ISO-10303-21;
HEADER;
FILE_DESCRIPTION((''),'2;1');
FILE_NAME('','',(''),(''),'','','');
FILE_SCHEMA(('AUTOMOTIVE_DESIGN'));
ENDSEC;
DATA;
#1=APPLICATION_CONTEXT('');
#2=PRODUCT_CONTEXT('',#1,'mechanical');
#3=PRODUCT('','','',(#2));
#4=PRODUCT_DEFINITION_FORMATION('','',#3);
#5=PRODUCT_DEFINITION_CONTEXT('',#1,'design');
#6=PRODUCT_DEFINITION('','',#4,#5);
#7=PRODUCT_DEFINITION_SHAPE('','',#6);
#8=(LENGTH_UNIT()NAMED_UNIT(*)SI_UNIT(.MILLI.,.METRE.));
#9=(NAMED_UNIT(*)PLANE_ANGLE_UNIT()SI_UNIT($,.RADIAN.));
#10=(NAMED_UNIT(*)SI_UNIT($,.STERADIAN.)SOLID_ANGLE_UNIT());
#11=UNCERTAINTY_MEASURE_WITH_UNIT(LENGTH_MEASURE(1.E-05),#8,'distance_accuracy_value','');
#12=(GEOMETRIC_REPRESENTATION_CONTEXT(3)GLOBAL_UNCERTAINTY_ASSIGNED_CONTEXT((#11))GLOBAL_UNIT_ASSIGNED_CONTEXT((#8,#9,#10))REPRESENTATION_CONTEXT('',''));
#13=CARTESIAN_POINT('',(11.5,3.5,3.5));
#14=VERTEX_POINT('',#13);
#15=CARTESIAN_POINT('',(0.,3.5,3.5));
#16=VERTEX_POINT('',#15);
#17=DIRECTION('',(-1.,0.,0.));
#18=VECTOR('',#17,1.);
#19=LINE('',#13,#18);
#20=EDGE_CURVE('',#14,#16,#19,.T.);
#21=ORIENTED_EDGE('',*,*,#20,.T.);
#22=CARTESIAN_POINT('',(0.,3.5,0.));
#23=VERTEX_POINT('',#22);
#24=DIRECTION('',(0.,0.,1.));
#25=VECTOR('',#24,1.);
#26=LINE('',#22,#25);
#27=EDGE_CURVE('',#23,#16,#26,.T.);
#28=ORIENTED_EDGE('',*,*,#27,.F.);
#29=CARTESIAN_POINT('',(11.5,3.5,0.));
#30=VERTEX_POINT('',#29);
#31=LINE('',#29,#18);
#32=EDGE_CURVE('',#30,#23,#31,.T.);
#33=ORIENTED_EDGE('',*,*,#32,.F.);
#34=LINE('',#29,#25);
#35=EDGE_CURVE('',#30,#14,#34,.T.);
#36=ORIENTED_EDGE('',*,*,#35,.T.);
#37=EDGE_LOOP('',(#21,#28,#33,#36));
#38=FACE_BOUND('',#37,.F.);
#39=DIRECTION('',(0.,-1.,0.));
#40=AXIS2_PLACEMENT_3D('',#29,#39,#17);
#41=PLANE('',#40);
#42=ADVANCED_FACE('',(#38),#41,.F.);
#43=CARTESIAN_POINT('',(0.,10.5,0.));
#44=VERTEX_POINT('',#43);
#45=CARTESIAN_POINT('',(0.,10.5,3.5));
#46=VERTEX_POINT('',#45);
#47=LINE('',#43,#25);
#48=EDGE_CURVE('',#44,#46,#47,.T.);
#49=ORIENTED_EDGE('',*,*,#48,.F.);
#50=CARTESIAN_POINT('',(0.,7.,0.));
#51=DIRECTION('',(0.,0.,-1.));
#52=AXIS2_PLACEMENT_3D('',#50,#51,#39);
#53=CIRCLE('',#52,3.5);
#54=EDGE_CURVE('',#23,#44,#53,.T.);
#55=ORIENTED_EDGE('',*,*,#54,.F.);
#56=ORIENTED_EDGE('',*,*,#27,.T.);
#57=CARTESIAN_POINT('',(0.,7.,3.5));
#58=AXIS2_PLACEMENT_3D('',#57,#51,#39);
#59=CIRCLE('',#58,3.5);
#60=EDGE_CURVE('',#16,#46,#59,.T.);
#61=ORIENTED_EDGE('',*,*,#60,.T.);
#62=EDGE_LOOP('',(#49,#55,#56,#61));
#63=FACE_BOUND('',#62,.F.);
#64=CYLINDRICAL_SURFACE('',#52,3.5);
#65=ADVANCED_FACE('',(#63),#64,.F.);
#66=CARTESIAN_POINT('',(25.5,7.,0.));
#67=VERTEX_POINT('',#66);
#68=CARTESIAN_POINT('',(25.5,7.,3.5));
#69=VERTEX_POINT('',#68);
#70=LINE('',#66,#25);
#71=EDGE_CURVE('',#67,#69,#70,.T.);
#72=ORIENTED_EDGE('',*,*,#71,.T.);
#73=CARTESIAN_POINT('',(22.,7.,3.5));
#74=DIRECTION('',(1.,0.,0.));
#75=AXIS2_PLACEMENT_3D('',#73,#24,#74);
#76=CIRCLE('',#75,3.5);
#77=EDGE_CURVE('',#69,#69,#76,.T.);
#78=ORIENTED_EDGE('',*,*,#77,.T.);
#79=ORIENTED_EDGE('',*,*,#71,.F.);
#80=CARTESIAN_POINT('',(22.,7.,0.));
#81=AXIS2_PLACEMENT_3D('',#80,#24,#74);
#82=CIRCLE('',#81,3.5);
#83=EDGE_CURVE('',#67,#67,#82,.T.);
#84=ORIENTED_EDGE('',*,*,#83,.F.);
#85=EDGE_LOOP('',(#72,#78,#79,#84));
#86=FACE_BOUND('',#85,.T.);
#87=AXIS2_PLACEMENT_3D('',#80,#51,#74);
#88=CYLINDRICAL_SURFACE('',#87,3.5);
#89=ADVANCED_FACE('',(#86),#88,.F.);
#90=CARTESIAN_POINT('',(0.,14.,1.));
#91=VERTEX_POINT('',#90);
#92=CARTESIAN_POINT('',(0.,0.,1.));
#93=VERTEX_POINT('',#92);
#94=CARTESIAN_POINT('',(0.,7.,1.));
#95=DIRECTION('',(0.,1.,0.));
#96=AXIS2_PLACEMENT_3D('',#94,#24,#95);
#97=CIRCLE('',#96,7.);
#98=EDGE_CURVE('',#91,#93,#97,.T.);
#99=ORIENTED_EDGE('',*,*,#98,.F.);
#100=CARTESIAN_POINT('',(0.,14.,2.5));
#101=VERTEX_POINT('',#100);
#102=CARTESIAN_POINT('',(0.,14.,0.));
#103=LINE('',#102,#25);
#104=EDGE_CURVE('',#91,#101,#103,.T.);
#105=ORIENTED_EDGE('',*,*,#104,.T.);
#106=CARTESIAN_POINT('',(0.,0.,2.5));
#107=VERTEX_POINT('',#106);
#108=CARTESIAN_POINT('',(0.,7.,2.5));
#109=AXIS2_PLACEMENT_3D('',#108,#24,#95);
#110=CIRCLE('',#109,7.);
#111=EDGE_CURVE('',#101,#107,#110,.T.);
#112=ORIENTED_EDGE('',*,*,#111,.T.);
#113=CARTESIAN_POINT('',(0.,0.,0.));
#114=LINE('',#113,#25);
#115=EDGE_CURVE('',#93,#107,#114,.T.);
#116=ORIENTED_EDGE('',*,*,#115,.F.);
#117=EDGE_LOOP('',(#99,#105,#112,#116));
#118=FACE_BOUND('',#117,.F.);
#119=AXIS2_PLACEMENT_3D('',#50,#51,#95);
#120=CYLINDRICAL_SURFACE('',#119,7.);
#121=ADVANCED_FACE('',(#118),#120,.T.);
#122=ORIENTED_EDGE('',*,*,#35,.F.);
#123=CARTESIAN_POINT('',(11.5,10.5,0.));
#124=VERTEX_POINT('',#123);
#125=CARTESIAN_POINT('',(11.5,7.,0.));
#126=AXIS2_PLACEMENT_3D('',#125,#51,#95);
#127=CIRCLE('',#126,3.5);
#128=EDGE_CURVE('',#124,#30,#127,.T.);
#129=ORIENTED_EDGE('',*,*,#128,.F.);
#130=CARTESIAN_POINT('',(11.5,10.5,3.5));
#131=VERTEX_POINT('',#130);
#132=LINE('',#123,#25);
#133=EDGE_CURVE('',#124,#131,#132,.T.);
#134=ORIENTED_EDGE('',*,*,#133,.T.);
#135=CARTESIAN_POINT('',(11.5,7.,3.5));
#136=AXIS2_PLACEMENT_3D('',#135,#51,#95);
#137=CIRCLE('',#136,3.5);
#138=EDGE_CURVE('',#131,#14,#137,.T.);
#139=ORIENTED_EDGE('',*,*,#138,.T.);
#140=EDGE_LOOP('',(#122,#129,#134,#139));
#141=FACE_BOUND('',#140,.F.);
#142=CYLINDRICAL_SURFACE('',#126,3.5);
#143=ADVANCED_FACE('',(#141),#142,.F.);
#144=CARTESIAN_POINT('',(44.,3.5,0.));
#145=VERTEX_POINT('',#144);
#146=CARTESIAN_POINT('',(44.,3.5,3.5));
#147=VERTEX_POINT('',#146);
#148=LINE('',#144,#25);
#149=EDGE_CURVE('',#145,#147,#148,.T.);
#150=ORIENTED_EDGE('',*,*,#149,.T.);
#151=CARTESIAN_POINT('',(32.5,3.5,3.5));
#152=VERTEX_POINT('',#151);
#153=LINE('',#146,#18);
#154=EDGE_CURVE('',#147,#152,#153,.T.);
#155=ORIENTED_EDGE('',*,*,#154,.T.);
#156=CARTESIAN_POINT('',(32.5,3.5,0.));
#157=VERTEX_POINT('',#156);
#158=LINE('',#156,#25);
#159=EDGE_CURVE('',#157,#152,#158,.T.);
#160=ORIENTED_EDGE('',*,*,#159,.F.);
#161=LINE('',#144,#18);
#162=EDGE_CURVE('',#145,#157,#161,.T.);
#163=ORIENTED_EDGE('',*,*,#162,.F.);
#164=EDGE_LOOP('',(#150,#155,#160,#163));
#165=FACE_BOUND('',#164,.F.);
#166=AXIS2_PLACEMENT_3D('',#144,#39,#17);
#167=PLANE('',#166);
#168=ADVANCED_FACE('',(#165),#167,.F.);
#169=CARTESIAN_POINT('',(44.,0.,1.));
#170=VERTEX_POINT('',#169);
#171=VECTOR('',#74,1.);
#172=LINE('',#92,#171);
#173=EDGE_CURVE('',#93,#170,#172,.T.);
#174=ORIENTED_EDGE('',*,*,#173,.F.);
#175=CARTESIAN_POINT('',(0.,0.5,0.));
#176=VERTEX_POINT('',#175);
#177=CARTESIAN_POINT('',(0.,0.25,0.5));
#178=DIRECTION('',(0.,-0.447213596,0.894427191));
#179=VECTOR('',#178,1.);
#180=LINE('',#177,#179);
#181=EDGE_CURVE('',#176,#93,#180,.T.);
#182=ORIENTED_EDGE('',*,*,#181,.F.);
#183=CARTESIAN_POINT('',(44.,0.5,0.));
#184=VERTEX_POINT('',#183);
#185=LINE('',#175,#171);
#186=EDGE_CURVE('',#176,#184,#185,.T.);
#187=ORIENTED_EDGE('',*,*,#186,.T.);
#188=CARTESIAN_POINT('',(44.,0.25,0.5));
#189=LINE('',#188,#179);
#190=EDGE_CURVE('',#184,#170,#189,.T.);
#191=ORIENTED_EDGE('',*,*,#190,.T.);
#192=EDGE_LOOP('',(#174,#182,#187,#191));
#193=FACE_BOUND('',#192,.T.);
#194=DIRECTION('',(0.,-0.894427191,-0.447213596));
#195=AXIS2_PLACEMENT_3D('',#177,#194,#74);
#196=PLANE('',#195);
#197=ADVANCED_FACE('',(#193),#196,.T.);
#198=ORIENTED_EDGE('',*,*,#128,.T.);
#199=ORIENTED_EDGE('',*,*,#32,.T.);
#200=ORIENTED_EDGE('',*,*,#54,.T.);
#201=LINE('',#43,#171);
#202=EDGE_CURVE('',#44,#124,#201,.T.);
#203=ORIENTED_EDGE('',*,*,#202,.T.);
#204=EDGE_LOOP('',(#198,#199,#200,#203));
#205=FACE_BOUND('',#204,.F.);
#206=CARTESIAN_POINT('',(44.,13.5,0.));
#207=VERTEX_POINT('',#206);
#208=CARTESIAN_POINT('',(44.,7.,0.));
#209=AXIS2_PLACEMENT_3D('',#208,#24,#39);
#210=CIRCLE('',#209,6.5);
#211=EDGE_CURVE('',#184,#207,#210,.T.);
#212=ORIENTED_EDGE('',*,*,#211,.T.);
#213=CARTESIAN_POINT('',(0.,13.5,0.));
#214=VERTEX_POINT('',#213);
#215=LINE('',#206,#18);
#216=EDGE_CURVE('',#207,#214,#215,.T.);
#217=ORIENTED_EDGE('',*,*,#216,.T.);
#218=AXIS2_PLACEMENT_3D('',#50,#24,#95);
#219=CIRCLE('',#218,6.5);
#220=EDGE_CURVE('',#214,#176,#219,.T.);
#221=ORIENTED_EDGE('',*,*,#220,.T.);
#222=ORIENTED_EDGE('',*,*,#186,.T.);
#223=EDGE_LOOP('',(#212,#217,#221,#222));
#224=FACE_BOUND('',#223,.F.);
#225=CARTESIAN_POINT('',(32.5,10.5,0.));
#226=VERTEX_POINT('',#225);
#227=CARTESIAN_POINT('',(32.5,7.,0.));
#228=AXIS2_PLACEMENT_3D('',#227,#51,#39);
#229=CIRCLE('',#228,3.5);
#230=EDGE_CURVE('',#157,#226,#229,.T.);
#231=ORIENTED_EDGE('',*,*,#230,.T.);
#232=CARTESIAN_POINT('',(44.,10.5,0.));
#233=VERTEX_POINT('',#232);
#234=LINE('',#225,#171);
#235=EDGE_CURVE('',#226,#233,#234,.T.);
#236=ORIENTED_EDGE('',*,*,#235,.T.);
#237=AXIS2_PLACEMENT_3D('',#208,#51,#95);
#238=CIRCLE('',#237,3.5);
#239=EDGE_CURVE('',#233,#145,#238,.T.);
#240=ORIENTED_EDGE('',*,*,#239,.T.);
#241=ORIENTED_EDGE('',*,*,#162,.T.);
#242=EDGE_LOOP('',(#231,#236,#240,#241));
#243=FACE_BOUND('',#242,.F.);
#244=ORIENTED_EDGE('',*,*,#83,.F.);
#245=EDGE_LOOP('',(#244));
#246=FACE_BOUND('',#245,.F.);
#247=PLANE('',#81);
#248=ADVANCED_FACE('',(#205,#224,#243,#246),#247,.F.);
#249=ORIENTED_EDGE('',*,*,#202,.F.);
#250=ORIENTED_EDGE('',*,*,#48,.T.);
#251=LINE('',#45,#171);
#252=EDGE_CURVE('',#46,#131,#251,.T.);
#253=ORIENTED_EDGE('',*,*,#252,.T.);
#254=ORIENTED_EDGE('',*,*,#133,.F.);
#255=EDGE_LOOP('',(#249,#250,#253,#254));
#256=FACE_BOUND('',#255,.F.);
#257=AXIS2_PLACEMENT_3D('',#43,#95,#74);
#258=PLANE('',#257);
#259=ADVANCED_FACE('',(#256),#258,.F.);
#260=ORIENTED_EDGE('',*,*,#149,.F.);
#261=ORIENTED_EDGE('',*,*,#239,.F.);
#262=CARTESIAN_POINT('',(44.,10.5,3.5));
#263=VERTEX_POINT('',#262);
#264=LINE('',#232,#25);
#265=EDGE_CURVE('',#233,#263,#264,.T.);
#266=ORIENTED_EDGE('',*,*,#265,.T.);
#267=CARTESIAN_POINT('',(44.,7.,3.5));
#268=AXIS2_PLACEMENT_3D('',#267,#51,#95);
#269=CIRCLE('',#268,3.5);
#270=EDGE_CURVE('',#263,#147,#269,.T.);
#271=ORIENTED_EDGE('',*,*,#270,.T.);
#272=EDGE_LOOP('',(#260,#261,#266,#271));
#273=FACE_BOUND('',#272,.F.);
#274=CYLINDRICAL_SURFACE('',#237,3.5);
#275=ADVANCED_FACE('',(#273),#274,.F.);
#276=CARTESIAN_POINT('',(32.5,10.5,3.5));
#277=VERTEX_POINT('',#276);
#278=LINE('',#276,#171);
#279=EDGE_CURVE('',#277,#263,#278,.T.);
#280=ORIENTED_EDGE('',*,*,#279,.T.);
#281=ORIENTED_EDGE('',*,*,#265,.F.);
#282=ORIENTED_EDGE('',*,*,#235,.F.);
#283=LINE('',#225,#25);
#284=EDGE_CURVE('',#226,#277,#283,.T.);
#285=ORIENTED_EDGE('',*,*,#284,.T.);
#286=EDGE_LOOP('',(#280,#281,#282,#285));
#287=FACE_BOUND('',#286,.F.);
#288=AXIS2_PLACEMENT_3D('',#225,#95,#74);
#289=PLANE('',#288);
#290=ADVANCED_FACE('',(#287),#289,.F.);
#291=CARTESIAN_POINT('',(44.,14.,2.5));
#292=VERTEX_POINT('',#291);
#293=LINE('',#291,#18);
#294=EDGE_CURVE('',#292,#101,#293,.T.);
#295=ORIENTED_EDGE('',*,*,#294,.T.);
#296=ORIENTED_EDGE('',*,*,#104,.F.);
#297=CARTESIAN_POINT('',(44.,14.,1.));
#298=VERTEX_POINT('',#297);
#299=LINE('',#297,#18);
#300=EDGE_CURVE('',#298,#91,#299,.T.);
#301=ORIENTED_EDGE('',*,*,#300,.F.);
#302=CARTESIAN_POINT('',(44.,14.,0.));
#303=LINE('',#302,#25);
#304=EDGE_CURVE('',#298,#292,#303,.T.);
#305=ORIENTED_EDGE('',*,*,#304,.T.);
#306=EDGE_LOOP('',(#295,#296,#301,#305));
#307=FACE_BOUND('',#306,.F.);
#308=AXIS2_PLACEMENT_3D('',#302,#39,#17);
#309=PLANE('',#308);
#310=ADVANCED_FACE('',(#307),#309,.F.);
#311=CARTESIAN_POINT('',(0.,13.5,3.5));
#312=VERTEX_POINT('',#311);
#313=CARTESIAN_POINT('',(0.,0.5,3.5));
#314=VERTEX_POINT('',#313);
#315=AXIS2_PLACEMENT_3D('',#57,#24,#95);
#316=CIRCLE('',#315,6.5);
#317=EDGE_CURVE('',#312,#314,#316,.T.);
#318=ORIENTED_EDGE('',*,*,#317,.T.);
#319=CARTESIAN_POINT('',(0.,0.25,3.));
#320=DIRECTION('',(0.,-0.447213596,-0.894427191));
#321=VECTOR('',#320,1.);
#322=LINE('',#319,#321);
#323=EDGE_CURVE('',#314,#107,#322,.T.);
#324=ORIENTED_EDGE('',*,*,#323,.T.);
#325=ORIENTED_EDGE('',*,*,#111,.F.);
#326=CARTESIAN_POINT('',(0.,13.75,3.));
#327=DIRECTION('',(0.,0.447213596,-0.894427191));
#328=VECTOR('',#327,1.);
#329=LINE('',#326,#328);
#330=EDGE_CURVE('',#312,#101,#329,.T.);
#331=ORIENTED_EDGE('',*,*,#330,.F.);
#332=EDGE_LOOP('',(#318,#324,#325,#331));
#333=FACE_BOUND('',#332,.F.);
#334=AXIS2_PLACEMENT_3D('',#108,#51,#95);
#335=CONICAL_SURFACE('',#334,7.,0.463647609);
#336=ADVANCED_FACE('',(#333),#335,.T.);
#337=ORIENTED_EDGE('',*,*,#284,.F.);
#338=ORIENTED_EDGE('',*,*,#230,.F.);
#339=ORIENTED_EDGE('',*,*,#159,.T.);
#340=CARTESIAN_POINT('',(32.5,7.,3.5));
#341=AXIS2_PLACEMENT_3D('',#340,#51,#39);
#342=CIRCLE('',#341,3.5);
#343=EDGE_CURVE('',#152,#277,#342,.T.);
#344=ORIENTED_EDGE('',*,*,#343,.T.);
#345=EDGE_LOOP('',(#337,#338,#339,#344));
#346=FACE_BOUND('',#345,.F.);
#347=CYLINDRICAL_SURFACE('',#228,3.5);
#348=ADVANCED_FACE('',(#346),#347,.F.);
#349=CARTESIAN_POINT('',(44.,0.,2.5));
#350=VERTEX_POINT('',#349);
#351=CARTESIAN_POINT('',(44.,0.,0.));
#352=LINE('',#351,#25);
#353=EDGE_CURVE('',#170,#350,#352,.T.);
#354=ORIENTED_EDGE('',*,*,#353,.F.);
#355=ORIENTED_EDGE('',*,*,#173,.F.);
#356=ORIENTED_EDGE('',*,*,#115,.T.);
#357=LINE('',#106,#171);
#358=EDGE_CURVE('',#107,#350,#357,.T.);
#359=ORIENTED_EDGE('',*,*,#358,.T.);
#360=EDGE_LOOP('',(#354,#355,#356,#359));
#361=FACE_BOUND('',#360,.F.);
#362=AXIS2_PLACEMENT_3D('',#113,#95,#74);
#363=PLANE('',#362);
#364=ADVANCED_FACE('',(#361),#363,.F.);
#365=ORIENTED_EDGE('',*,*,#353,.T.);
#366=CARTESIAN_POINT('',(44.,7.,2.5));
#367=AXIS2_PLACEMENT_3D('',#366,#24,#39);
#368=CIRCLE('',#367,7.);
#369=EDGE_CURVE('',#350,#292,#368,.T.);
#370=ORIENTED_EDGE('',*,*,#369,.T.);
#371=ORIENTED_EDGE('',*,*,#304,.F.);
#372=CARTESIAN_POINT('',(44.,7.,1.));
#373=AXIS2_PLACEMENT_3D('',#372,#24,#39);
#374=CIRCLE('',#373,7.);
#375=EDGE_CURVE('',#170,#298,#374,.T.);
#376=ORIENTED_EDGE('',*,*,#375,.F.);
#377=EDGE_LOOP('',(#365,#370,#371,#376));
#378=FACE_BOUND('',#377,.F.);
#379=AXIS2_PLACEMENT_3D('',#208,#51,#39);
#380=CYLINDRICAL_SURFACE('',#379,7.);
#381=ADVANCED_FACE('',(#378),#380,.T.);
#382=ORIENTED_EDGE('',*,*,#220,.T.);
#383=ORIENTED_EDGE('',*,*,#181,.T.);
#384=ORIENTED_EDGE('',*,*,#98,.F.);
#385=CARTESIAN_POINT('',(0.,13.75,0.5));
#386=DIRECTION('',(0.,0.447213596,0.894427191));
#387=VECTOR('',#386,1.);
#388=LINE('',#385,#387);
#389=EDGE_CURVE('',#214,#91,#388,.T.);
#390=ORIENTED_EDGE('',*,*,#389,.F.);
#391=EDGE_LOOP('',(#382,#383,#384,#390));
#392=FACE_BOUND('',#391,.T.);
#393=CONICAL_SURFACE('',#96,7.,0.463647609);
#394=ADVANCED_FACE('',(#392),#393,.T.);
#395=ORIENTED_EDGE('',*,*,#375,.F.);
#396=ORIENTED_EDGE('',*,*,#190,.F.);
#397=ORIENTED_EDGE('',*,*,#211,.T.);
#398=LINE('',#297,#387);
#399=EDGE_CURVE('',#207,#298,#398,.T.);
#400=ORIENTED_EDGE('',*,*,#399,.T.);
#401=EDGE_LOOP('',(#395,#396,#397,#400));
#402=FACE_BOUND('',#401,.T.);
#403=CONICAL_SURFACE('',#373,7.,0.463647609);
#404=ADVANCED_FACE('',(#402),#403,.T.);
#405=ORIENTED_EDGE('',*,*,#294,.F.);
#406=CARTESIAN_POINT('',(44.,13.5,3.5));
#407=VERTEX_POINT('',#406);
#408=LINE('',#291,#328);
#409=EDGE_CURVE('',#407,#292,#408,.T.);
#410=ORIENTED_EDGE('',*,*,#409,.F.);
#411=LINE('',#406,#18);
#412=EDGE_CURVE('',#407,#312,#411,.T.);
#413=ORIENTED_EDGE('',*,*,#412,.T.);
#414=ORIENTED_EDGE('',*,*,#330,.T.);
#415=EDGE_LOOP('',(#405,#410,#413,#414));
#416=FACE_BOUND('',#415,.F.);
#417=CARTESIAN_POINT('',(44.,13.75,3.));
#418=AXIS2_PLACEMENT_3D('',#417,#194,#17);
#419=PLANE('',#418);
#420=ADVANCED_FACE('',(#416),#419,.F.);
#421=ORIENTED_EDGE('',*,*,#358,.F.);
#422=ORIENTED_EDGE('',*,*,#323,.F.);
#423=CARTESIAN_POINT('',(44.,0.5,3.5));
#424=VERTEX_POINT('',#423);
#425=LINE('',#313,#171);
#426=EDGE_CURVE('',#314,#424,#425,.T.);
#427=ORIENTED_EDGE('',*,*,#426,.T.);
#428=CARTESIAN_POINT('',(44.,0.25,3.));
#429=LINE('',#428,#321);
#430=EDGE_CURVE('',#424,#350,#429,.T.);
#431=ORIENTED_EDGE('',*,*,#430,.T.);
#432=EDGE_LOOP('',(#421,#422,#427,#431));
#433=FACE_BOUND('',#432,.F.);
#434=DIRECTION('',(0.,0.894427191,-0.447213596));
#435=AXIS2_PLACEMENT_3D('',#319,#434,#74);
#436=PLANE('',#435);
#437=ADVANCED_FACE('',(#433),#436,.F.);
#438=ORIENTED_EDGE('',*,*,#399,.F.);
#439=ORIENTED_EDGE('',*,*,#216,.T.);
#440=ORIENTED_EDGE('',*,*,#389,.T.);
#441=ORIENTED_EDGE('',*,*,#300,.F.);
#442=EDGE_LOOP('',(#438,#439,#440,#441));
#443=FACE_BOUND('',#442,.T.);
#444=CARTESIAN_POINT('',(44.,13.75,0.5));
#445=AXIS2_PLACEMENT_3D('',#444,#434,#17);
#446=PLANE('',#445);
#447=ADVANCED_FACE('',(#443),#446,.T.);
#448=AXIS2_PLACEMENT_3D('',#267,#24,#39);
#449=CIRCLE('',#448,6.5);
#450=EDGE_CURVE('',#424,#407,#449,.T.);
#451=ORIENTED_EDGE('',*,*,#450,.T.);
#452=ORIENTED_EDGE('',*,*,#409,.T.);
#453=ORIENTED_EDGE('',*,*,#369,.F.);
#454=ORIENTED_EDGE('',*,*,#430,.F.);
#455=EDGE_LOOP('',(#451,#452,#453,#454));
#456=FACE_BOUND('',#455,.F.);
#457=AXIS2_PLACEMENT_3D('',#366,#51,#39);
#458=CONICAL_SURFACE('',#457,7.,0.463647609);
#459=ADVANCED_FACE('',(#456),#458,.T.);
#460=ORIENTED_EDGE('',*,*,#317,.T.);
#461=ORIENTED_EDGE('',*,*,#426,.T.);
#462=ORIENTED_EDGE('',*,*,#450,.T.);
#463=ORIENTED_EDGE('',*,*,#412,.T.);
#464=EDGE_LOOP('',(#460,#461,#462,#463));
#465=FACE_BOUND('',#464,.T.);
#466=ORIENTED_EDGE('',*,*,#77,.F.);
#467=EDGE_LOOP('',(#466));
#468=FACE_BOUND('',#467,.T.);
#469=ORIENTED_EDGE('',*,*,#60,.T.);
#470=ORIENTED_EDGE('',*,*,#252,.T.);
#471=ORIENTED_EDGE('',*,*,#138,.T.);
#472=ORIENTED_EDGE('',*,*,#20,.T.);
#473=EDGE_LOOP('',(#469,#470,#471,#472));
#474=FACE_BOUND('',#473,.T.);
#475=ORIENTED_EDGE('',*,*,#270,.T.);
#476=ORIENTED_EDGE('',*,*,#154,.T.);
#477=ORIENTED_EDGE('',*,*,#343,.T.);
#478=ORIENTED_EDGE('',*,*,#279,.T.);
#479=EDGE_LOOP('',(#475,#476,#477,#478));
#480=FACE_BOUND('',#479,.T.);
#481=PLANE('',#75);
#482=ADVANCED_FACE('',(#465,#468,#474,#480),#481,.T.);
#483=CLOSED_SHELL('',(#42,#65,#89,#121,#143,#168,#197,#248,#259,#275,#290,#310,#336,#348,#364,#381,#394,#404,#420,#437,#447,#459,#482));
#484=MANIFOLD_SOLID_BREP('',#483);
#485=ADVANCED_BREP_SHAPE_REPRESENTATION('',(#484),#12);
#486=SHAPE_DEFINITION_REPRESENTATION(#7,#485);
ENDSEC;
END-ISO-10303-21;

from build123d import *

# Parameters (mm, degrees)
F0_R       = 3.5
F1_DEPTH   = 3.5
F2_SIZE2   = 1
F2_SIZE    = 0.5
F2_2_SIZE2 = 1
F2_2_SIZE  = 0.5


with BuildPart() as f1:
    # F0 (on Top) → F1 (new body)
    with BuildSketch(Plane.XY):
        with BuildLine():
            ThreePointArc((0, 14), (-7, 7), (0, 0))
            Line((0, 0), (44, 0))
            ThreePointArc((44, 0), (51, 7), (44, 14))
            Line((44, 14), (0, 14))
        make_face()
        with BuildLine():
            ThreePointArc((0, 3.5), (-3.5, 7), (0, 10.5))
            Line((0, 10.5), (11.5, 10.5))
            ThreePointArc((11.5, 10.5), (15, 7), (11.5, 3.5))
            Line((11.5, 3.5), (0, 3.5))
        make_face(mode=Mode.SUBTRACT)
        with Locations((22, 7)):
            Circle(F0_R, mode=Mode.SUBTRACT)
        with BuildLine():
            ThreePointArc((32.5, 3.5), (29, 7), (32.5, 10.5))
            Line((32.5, 10.5), (44, 10.5))
            ThreePointArc((44, 10.5), (47.5, 7), (44, 3.5))
            Line((44, 3.5), (32.5, 3.5))
        make_face(mode=Mode.SUBTRACT)
    extrude(amount=F1_DEPTH)

    # F2
    f2_edges = [f1.edges().sort_by_distance(p)[0] for p in [
        (22, 0, 3.5),
    ]]
    f2_side = f1.faces().sort_by_distance((22, 0.596657, 3.5))[0]
    chamfer(f2_edges, length=F2_SIZE, length2=F2_SIZE2, reference=f2_side)

    # F2#2
    f2_2_edges = [f1.edges().sort_by_distance(p)[0] for p in [
        (22, 0, 0),
    ]]
    f2_2_side = f1.faces().sort_by_distance((22, 0.596657, 0))[0]
    chamfer(f2_2_edges, length=F2_2_SIZE, length2=F2_2_SIZE2, reference=f2_2_side)


solid = f1.part
